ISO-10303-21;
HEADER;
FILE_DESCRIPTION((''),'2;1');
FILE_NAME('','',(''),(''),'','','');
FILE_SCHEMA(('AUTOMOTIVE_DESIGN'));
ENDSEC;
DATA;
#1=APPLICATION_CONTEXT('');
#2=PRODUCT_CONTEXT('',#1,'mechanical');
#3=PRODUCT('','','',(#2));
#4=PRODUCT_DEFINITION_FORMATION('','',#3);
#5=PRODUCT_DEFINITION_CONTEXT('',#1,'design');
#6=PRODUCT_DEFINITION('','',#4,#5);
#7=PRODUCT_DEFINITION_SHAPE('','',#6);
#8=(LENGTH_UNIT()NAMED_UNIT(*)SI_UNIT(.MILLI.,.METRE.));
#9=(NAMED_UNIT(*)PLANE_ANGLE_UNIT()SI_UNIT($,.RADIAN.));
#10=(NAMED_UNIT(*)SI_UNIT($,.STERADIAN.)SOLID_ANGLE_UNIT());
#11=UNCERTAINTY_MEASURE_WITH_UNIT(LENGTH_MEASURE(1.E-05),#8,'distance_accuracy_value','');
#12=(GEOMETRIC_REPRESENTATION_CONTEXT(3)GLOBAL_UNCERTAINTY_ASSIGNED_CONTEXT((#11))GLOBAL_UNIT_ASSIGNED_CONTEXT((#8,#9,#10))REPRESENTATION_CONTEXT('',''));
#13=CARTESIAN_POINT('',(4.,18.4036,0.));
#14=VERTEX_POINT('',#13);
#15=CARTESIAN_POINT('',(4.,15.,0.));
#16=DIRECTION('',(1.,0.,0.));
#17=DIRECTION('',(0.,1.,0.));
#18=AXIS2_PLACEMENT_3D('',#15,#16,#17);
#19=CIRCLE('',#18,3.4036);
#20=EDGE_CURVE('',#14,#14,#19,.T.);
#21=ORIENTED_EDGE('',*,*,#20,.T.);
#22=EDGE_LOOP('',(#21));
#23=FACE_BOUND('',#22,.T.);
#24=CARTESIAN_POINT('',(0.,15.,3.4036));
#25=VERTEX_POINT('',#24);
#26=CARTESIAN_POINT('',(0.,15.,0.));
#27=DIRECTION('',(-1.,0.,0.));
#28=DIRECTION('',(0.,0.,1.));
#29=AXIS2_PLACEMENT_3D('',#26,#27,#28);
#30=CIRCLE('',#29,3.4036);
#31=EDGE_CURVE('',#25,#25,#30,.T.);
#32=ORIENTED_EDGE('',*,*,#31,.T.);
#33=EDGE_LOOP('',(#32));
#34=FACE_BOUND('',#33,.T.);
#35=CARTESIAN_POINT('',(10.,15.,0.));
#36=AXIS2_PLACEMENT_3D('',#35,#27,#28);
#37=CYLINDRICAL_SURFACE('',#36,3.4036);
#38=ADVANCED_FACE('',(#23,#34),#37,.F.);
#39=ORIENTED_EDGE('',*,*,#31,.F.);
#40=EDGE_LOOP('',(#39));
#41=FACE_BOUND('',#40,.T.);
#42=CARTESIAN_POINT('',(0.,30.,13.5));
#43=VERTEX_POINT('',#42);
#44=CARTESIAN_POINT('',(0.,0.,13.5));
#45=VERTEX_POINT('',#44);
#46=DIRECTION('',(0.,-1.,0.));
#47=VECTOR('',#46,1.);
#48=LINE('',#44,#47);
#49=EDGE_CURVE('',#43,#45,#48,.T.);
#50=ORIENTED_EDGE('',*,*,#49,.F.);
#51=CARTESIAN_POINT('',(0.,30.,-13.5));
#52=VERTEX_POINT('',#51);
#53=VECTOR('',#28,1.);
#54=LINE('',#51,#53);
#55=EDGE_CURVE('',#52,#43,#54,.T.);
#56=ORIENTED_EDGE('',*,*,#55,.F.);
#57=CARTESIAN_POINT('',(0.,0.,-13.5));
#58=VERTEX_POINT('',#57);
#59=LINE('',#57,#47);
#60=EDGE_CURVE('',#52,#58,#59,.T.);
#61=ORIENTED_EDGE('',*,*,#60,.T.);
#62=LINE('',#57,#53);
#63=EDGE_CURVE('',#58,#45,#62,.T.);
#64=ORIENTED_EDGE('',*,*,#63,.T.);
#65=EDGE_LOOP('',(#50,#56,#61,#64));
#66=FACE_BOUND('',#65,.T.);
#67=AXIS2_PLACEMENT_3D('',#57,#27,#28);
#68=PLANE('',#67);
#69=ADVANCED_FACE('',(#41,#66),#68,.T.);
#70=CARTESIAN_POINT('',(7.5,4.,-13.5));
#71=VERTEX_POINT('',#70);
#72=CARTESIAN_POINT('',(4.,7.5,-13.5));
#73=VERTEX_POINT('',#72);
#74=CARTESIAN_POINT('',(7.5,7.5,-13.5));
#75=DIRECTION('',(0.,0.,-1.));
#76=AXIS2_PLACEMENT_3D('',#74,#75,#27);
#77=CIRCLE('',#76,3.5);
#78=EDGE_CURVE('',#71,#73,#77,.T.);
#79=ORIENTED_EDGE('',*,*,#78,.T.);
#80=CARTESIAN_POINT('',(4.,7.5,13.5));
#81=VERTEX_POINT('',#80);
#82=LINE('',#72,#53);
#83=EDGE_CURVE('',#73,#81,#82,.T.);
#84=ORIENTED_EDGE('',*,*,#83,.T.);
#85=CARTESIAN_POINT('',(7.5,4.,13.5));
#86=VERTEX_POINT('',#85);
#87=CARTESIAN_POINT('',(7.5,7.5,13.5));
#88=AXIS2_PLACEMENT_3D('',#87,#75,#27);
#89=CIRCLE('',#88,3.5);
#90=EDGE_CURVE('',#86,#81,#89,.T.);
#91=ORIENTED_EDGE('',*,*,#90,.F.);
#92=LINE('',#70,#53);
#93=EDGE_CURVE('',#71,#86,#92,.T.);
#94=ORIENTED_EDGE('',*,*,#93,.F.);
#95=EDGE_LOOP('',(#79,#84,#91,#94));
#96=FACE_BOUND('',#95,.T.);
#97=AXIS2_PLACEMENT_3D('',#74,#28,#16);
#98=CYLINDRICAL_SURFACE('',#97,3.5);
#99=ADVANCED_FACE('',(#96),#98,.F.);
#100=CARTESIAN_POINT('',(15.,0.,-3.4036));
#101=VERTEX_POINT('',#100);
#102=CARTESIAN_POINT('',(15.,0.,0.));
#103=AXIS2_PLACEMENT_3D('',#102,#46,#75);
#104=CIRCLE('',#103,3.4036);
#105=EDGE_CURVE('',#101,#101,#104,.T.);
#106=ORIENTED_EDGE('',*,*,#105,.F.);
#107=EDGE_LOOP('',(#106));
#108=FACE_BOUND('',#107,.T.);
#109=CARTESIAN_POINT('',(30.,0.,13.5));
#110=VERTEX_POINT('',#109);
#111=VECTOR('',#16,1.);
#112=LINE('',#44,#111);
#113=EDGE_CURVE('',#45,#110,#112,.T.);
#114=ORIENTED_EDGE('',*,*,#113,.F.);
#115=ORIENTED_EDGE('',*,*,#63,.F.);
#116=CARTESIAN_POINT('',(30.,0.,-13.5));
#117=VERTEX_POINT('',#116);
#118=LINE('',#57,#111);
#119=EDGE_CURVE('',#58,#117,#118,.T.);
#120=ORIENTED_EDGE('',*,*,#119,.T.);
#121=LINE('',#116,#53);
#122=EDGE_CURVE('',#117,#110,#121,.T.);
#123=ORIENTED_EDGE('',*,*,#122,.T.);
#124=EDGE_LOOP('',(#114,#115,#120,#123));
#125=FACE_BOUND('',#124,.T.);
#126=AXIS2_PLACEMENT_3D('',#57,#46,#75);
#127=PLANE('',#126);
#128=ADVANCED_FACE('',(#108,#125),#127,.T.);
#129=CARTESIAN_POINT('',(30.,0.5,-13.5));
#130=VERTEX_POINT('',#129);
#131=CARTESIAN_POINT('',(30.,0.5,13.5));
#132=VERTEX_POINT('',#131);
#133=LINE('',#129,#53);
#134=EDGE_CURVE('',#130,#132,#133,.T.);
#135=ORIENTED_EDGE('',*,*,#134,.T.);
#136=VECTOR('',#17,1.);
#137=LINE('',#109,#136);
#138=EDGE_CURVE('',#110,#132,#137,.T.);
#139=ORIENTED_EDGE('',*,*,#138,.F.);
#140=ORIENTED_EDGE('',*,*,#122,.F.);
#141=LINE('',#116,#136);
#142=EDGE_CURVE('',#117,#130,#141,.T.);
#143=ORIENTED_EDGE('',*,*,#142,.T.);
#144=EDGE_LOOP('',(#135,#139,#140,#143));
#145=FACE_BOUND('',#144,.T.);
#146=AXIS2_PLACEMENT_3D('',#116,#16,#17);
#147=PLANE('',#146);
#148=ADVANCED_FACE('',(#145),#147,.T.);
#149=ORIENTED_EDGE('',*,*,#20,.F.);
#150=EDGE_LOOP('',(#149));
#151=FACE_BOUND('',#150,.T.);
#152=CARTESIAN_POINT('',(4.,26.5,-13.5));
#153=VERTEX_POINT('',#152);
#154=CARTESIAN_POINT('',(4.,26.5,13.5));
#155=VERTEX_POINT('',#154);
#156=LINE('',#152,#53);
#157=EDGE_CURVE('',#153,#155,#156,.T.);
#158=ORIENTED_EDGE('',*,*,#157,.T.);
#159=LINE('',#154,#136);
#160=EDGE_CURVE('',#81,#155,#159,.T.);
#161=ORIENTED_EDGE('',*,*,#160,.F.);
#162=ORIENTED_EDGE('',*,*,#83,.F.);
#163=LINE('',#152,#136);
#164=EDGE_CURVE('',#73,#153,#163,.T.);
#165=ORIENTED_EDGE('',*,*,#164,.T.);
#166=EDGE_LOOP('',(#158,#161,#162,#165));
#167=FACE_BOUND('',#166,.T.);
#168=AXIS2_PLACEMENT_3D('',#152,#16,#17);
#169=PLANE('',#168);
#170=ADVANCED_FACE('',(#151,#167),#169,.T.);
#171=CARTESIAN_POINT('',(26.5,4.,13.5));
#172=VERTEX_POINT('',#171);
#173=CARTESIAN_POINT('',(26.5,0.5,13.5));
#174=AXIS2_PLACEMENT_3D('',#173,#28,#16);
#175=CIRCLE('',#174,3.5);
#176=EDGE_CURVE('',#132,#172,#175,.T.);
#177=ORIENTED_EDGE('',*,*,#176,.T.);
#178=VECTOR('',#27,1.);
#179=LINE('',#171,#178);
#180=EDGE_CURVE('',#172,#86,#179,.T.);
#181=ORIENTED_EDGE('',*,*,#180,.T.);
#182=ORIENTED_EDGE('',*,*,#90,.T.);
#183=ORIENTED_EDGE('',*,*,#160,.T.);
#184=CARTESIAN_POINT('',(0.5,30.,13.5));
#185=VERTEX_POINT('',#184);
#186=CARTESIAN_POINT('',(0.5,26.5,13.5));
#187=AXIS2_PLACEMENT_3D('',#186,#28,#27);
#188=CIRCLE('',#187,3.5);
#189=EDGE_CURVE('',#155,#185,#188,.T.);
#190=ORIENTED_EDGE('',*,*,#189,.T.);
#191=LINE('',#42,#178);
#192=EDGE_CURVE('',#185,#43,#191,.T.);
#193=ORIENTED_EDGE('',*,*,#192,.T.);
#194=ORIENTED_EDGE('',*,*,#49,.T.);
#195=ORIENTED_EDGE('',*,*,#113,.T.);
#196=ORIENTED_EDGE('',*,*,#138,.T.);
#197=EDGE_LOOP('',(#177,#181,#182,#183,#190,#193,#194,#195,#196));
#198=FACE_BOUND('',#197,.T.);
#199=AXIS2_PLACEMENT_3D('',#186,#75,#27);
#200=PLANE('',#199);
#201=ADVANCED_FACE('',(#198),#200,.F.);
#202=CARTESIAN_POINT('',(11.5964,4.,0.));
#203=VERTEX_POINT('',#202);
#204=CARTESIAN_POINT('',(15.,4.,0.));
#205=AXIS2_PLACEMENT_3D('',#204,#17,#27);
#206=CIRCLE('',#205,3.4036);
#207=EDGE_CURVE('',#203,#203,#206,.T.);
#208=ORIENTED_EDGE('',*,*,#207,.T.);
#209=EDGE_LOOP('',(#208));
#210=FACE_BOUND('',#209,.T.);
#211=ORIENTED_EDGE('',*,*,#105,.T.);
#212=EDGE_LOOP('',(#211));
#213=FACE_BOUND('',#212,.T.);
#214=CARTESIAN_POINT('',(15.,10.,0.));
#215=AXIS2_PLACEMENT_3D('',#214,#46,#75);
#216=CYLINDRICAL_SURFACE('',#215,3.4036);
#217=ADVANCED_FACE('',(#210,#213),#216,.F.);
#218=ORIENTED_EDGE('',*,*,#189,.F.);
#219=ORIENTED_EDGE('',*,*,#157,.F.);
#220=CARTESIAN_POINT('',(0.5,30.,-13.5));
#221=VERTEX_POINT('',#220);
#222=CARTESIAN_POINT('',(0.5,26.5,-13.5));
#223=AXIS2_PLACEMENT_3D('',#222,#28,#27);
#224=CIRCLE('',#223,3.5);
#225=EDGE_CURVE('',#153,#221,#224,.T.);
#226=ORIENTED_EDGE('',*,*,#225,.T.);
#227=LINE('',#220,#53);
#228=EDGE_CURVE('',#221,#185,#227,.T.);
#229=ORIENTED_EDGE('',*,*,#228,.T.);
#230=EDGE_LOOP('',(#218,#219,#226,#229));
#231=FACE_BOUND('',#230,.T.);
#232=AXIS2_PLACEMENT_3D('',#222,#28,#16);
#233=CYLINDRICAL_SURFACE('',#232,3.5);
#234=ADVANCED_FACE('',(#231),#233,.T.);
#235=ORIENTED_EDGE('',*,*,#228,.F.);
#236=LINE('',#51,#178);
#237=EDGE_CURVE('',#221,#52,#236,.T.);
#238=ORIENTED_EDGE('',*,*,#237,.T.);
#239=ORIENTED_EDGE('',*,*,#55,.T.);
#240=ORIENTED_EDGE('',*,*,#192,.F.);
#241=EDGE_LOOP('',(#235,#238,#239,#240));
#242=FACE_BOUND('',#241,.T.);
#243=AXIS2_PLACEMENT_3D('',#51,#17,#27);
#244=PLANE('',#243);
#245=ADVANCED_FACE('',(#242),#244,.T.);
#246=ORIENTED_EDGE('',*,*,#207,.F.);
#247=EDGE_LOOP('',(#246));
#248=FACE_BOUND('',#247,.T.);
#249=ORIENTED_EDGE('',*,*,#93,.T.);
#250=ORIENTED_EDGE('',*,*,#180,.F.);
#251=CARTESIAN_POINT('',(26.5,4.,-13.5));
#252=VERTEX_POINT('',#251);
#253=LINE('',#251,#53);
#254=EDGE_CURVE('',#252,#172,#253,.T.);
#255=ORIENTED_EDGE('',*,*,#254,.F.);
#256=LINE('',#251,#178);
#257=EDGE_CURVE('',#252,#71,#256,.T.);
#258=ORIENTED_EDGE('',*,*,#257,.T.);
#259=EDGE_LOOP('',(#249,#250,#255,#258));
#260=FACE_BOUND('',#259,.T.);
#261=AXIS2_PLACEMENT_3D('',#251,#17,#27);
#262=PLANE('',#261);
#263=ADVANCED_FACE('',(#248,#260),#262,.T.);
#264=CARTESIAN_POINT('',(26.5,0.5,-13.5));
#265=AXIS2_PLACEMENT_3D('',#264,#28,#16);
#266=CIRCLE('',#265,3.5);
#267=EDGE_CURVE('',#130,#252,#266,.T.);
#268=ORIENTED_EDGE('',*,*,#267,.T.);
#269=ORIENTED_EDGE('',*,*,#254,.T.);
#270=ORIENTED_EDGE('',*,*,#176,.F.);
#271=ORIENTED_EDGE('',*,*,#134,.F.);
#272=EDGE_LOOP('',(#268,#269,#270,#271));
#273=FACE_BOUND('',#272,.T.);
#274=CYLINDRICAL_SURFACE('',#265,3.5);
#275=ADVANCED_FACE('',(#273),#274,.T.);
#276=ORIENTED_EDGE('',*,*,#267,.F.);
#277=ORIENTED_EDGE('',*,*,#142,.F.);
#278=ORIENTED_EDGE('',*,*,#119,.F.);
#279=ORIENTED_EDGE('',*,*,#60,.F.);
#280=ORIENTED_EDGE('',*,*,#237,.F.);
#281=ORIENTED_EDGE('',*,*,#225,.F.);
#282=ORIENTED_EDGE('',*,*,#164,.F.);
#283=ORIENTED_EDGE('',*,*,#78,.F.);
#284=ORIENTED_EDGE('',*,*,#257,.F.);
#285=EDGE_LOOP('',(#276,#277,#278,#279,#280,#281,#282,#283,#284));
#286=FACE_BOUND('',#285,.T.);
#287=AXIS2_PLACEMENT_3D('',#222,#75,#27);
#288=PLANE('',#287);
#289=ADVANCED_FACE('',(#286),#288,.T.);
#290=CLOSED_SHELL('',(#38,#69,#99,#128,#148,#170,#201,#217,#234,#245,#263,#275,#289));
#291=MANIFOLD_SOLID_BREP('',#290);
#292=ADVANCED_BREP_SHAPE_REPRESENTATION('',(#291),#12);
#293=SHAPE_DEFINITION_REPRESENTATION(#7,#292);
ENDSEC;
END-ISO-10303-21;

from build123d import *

# Parameters (mm, degrees)
BOSS_EXTRUDE1_DEPTH = 13.5
SKETCH4_R           = 3.4036
CUT_EXTRUDE3_DEPTH  = 10
SKETCH5_R           = 3.4036
CUT_EXTRUDE4_DEPTH  = 10


with BuildPart() as part:
    # Sketch1 → Boss-Extrude1 (new body, symmetric)
    with BuildSketch(Plane.XY):
        with BuildLine():
            Line((0, 0), (30, 0))
            Line((30, 0), (30, 0.5))
            ThreePointArc((30, 0.5), (28.974873734, 2.974873734), (26.5, 4))
            Line((26.5, 4), (7.5, 4))
            ThreePointArc((7.5, 4), (5.025126266, 5.025126266), (4, 7.5))
            Line((4, 7.5), (4, 26.5))
            ThreePointArc((4, 26.5), (2.974873734, 28.974873734), (0.5, 30))
            Line((0.5, 30), (0, 30))
            Line((0, 30), (0, 0))
        make_face()
    extrude(amount=BOSS_EXTRUDE1_DEPTH, both=True)

    # Sketch4 → Cut-Extrude3 (cut)
    with BuildSketch(Plane.ZY):
        with Locations((0, 15)):
            Circle(SKETCH4_R)
    extrude(amount=-CUT_EXTRUDE3_DEPTH, mode=Mode.SUBTRACT)

    # Sketch5 → Cut-Extrude4 (cut)
    with BuildSketch(Plane.XZ):
        with Locations((15, 0)):
            Circle(SKETCH5_R)
    extrude(amount=-CUT_EXTRUDE4_DEPTH, mode=Mode.SUBTRACT)


solid = part.part
